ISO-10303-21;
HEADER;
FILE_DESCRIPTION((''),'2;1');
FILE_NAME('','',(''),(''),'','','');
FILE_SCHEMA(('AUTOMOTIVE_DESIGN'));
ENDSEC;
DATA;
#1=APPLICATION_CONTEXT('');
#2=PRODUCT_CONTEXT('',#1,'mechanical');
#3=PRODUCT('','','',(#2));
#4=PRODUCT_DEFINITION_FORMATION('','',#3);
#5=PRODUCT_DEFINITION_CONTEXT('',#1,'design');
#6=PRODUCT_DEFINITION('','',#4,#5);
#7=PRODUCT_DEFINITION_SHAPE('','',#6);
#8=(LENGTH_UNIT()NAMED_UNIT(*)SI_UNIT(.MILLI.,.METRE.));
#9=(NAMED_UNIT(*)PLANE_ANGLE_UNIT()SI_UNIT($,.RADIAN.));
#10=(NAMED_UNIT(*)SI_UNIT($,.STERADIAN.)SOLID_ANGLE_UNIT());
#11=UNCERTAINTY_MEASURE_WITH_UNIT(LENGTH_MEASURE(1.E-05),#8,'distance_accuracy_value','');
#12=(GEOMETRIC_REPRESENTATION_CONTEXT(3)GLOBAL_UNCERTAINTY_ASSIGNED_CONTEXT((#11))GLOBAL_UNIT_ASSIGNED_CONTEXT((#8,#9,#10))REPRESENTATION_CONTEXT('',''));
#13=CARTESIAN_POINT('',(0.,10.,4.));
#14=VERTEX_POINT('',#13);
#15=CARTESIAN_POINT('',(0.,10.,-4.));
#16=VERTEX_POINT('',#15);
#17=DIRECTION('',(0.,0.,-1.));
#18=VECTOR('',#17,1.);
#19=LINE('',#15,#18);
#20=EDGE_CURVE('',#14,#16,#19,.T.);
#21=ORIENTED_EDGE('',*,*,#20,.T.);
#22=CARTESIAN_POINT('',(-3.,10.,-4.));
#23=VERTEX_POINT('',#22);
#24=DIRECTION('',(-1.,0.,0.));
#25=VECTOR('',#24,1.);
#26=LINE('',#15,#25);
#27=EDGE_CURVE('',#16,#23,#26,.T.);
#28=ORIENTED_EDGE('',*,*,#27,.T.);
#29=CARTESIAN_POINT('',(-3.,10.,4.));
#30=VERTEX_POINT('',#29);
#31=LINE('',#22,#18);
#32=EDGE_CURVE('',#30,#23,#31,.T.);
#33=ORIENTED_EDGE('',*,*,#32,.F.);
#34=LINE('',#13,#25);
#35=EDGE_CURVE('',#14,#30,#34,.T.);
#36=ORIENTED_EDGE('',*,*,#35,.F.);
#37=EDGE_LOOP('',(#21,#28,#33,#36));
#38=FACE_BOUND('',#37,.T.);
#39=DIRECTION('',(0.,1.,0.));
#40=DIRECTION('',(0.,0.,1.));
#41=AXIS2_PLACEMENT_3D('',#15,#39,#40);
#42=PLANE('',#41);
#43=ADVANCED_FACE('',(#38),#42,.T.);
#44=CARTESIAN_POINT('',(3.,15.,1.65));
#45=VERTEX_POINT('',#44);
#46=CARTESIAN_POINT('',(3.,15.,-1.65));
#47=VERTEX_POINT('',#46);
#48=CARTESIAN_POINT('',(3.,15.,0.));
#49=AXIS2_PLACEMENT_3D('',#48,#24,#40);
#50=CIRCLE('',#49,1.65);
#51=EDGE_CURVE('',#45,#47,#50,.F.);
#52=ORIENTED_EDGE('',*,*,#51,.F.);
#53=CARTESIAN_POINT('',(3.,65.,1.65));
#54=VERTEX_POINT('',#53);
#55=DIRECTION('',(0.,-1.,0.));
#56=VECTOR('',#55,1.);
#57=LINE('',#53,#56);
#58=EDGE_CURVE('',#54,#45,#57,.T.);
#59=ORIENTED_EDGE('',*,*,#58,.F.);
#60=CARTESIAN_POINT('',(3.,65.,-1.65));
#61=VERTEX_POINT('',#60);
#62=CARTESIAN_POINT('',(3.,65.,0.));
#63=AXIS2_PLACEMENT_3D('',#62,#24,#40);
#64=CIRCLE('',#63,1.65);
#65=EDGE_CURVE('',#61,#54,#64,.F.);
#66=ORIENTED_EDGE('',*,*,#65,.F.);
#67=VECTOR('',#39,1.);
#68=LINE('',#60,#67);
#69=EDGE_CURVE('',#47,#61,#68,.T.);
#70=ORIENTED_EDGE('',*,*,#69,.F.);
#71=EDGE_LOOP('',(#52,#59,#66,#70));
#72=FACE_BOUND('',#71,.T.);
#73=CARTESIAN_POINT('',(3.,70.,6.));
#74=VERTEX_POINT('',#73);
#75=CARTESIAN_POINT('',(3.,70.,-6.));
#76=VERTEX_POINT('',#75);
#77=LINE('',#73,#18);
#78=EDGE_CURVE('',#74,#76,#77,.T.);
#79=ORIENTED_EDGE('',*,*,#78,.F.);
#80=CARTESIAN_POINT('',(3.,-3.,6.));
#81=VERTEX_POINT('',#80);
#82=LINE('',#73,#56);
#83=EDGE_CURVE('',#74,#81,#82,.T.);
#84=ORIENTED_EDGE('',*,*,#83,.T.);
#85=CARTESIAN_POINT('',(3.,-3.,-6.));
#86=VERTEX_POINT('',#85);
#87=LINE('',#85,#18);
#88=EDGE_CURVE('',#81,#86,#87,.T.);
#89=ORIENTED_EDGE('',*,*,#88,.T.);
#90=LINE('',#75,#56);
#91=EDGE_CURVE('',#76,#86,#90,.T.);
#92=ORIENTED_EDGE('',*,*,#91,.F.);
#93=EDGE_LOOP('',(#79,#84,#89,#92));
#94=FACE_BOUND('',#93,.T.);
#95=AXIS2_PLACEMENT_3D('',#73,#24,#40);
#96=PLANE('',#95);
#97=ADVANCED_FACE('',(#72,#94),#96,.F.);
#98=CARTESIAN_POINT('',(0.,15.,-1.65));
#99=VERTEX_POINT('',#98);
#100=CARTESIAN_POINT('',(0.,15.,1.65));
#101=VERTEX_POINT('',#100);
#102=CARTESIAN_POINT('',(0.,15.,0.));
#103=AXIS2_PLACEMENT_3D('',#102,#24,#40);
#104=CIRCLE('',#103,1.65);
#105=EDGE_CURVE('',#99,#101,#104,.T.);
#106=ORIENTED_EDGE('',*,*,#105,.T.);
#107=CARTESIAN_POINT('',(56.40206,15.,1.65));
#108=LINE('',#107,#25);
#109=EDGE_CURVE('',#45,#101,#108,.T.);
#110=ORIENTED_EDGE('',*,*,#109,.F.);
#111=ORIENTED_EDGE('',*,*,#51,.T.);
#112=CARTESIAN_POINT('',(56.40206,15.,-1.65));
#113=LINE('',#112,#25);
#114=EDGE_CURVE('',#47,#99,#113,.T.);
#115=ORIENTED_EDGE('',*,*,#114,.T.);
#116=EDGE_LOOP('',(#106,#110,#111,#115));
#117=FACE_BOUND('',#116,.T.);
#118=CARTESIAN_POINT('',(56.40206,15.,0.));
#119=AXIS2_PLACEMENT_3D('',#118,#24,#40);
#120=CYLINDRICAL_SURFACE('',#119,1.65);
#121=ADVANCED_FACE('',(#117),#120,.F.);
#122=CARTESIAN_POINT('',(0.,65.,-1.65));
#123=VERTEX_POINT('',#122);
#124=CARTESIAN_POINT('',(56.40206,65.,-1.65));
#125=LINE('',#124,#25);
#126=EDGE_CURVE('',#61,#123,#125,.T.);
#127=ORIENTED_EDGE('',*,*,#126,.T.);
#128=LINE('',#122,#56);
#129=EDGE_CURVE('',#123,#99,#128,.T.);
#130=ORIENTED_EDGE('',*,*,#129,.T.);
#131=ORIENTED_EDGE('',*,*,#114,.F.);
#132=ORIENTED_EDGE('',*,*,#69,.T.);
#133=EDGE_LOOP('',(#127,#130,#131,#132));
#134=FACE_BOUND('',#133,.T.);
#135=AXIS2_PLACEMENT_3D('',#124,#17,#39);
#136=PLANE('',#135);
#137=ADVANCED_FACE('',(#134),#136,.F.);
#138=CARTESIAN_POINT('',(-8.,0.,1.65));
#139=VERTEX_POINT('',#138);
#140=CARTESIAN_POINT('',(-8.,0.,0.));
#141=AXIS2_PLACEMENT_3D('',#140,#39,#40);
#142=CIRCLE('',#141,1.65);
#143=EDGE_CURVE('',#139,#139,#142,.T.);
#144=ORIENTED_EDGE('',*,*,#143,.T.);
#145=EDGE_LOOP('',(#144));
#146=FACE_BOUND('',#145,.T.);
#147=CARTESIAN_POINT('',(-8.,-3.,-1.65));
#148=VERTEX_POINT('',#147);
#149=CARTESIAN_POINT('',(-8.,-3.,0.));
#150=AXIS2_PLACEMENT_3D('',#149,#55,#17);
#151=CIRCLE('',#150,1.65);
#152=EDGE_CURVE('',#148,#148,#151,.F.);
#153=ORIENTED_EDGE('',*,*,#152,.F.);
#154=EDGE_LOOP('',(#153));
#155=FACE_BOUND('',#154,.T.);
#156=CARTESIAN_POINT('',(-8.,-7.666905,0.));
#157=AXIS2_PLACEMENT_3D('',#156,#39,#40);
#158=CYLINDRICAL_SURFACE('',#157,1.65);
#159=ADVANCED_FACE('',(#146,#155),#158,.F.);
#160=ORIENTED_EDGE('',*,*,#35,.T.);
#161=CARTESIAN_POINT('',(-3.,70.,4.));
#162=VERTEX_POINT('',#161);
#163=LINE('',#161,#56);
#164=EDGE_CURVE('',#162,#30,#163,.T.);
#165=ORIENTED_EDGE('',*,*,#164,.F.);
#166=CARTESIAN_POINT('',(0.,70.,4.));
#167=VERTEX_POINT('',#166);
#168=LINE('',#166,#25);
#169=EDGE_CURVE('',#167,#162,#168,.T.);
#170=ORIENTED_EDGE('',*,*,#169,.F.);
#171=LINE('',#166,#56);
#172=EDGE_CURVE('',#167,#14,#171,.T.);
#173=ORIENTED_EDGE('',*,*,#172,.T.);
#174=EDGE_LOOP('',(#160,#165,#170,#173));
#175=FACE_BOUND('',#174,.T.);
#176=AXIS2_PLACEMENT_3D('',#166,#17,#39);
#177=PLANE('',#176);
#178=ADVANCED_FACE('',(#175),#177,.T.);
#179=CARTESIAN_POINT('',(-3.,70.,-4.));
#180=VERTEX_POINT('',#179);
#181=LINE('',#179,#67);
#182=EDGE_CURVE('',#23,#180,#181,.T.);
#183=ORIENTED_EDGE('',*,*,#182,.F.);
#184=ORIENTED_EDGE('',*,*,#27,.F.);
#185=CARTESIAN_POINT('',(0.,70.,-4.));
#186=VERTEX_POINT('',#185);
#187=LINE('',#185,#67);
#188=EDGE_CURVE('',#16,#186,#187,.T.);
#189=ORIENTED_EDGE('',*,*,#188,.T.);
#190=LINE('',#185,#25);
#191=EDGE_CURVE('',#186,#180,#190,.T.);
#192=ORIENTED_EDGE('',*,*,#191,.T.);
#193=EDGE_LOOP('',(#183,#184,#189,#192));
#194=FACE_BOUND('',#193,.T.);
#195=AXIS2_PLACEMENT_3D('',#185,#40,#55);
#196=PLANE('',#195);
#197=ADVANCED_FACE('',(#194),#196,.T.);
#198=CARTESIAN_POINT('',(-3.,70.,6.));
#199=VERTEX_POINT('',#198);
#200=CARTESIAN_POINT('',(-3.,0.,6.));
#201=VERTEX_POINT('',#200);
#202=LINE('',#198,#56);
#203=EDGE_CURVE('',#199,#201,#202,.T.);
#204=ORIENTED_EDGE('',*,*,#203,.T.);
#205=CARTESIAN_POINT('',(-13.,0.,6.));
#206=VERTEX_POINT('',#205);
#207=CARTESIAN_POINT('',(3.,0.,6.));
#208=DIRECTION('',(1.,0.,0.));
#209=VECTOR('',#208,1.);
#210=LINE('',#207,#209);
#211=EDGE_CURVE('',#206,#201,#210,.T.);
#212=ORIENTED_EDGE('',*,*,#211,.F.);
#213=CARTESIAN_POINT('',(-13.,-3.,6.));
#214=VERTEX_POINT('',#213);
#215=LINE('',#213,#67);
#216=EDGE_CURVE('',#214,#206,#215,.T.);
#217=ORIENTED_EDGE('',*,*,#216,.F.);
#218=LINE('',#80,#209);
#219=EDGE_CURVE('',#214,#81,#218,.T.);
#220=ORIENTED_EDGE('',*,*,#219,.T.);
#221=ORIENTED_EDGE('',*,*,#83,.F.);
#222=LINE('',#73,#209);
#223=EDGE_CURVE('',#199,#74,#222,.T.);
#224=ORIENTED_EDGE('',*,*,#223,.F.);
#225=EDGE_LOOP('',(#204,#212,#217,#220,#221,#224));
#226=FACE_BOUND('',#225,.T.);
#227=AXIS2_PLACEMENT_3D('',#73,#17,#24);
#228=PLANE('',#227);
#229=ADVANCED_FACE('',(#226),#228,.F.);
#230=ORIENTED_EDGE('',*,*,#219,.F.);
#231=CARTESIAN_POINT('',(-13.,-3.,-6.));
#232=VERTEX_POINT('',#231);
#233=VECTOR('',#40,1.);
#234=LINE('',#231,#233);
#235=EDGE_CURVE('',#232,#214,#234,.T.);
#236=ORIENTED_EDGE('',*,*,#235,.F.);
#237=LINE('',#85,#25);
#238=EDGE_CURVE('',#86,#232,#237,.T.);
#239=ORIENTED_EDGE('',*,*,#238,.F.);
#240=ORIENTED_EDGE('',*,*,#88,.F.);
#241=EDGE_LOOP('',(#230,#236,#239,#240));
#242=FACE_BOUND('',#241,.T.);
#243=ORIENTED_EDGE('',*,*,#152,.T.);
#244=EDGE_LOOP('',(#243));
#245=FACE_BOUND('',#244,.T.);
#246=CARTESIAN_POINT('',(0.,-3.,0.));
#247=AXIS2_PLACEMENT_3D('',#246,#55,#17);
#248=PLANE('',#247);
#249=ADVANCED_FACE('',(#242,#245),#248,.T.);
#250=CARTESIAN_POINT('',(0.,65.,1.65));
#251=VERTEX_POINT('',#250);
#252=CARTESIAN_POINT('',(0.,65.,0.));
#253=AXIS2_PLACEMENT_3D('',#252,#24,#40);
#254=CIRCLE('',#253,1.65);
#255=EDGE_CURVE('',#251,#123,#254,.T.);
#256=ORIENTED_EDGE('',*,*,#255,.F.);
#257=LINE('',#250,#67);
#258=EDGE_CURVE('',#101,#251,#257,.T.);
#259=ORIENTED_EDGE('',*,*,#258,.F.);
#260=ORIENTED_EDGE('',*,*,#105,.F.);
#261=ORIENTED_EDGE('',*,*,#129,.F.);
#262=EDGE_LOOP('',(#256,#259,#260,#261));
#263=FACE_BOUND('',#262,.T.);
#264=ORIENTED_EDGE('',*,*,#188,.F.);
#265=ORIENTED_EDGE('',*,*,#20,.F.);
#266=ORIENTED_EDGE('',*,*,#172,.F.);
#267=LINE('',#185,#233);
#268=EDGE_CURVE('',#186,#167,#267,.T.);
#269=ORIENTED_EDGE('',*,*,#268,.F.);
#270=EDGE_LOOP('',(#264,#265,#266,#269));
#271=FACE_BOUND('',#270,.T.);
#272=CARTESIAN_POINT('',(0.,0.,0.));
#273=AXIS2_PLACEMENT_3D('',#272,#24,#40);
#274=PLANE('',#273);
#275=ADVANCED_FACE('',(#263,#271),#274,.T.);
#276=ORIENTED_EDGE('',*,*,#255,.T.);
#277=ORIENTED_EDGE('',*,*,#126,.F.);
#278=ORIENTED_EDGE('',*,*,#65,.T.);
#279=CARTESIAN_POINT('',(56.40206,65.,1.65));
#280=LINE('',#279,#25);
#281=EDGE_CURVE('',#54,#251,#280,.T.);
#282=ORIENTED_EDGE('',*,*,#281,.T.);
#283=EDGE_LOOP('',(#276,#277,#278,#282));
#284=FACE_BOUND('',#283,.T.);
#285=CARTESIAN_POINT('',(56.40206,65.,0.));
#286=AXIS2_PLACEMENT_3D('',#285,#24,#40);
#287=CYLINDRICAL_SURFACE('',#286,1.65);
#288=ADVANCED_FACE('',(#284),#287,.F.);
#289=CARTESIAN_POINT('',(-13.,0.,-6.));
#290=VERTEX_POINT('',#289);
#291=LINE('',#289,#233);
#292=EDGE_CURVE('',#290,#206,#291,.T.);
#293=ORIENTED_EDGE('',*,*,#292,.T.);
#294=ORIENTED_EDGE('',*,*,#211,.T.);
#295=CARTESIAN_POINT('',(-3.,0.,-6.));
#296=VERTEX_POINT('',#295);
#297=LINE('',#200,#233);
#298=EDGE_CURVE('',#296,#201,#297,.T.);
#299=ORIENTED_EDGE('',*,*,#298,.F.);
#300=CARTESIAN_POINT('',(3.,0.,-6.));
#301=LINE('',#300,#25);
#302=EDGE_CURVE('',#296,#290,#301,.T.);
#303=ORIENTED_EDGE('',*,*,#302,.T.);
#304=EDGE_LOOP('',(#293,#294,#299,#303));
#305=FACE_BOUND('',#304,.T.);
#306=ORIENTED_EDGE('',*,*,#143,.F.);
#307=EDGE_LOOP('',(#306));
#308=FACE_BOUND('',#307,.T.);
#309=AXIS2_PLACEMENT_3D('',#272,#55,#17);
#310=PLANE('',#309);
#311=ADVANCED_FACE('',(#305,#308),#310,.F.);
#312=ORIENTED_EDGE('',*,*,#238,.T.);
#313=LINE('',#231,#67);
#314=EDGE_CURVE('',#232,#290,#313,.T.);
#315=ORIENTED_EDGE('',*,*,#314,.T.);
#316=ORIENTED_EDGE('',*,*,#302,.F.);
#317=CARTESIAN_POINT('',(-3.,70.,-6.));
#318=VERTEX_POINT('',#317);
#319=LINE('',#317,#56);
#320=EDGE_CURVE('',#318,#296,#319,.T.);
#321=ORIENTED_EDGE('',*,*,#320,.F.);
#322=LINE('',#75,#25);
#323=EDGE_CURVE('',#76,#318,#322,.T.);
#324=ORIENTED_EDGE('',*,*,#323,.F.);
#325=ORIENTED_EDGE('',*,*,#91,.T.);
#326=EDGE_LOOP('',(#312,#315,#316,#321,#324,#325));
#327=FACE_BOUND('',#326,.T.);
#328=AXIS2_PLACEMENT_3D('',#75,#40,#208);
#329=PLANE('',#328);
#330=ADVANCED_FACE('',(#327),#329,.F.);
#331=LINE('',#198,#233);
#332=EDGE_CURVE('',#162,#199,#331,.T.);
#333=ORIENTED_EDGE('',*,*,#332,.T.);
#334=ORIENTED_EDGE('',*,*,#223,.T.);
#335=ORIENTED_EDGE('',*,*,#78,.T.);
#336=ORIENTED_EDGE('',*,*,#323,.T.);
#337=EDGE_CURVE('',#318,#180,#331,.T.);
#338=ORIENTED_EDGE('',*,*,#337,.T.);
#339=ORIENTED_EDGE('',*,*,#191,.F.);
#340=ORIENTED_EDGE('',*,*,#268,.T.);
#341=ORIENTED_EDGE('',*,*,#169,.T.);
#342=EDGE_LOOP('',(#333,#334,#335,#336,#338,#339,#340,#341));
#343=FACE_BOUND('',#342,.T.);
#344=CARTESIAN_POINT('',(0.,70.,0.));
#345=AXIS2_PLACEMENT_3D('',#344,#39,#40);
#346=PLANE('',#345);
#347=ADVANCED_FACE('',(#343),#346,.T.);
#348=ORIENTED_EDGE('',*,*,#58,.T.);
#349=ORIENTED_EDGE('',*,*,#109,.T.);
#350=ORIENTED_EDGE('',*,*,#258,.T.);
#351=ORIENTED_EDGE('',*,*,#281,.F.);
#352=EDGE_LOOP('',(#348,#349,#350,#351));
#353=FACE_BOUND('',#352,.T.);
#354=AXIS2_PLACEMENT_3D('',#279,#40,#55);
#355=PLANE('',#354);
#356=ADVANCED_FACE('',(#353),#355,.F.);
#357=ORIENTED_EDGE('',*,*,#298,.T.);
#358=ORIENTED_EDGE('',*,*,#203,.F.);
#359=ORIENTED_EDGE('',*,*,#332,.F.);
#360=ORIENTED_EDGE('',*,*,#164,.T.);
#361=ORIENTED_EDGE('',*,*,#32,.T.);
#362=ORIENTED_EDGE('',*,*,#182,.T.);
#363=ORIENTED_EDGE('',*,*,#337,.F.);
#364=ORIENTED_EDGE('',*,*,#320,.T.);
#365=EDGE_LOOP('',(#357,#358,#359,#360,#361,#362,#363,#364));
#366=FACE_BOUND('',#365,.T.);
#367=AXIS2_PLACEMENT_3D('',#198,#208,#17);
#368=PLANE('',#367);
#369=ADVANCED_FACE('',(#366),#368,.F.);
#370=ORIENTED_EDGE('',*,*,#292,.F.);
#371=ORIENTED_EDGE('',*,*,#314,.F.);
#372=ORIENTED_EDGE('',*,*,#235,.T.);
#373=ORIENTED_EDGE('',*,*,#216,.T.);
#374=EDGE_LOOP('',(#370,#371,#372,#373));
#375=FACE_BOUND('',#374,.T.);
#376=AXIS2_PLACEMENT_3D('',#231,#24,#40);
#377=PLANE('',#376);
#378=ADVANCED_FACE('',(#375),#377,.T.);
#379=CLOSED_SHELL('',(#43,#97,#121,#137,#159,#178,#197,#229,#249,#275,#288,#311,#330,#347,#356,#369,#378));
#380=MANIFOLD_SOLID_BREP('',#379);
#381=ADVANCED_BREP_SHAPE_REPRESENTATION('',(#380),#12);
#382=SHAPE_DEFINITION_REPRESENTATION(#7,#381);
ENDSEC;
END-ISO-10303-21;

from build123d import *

# Parameters (mm, degrees)
SKETCH_1_W          = 6
SKETCH_1_H          = 12
EXTRUDE_1_DEPTH     = 70
SKETCH_2_W          = 16
SKETCH_2_H          = 12
EXTRUDE_2_DEPTH     = 3
SKETCH_3_R          = 1.65
CUT_EXTRUDE_1_DEPTH = 3
SKETCH_4_W          = 8
SKETCH_4_H          = 60
CUT_EXTRUDE_2_DEPTH = 3
CUT_EXTRUDE_3_DEPTH = 3


with BuildPart() as part:
    # 草图1 → 凸台-拉伸1 (new body)
    with BuildSketch(Plane(origin=(0, 0, 0), x_dir=(1, 0, 0), z_dir=(0, 1, 0))):
        Rectangle(SKETCH_1_W, SKETCH_1_H)
    extrude(amount=EXTRUDE_1_DEPTH)

    # 草图2 → 凸台-拉伸2 (add)
    with BuildSketch(Plane(origin=(0, 0, 0), x_dir=(1, 0, 0), z_dir=(0, 1, 0))):
        with Locations((-5, 0)):
            Rectangle(SKETCH_2_W, SKETCH_2_H)
    extrude(amount=-EXTRUDE_2_DEPTH)

    # 草图3 → 切除-拉伸1 (cut)
    with BuildSketch(Plane(origin=(0, 0, 0), x_dir=(1, 0, 0), z_dir=(0, 1, 0))):
        with Locations(Location((-8, 0, 0), (0, 0, 270))):
            Circle(SKETCH_3_R)
    extrude(amount=-CUT_EXTRUDE_1_DEPTH, mode=Mode.SUBTRACT)

    # 草图4 → 切除-拉伸2 (cut)
    with BuildSketch(Plane(origin=(-3, 0, 0), x_dir=(0, 0, -1), z_dir=(1, 0, 0))):
        with Locations((0, 40)):
            Rectangle(SKETCH_4_W, SKETCH_4_H)
    extrude(amount=CUT_EXTRUDE_2_DEPTH, mode=Mode.SUBTRACT)

    # 草图5 → 切除-拉伸3 (cut)
    with BuildSketch(Plane.ZY):
        with BuildLine():
            Line((1.65, 65), (1.65, 15))
            ThreePointArc((1.65, 15), (0, 13.35), (-1.65, 15))
            Line((-1.65, 15), (-1.65, 65))
            ThreePointArc((-1.65, 65), (0, 66.65), (1.65, 65))
        make_face()
    extrude(amount=-CUT_EXTRUDE_3_DEPTH, mode=Mode.SUBTRACT)


solid = part.part
